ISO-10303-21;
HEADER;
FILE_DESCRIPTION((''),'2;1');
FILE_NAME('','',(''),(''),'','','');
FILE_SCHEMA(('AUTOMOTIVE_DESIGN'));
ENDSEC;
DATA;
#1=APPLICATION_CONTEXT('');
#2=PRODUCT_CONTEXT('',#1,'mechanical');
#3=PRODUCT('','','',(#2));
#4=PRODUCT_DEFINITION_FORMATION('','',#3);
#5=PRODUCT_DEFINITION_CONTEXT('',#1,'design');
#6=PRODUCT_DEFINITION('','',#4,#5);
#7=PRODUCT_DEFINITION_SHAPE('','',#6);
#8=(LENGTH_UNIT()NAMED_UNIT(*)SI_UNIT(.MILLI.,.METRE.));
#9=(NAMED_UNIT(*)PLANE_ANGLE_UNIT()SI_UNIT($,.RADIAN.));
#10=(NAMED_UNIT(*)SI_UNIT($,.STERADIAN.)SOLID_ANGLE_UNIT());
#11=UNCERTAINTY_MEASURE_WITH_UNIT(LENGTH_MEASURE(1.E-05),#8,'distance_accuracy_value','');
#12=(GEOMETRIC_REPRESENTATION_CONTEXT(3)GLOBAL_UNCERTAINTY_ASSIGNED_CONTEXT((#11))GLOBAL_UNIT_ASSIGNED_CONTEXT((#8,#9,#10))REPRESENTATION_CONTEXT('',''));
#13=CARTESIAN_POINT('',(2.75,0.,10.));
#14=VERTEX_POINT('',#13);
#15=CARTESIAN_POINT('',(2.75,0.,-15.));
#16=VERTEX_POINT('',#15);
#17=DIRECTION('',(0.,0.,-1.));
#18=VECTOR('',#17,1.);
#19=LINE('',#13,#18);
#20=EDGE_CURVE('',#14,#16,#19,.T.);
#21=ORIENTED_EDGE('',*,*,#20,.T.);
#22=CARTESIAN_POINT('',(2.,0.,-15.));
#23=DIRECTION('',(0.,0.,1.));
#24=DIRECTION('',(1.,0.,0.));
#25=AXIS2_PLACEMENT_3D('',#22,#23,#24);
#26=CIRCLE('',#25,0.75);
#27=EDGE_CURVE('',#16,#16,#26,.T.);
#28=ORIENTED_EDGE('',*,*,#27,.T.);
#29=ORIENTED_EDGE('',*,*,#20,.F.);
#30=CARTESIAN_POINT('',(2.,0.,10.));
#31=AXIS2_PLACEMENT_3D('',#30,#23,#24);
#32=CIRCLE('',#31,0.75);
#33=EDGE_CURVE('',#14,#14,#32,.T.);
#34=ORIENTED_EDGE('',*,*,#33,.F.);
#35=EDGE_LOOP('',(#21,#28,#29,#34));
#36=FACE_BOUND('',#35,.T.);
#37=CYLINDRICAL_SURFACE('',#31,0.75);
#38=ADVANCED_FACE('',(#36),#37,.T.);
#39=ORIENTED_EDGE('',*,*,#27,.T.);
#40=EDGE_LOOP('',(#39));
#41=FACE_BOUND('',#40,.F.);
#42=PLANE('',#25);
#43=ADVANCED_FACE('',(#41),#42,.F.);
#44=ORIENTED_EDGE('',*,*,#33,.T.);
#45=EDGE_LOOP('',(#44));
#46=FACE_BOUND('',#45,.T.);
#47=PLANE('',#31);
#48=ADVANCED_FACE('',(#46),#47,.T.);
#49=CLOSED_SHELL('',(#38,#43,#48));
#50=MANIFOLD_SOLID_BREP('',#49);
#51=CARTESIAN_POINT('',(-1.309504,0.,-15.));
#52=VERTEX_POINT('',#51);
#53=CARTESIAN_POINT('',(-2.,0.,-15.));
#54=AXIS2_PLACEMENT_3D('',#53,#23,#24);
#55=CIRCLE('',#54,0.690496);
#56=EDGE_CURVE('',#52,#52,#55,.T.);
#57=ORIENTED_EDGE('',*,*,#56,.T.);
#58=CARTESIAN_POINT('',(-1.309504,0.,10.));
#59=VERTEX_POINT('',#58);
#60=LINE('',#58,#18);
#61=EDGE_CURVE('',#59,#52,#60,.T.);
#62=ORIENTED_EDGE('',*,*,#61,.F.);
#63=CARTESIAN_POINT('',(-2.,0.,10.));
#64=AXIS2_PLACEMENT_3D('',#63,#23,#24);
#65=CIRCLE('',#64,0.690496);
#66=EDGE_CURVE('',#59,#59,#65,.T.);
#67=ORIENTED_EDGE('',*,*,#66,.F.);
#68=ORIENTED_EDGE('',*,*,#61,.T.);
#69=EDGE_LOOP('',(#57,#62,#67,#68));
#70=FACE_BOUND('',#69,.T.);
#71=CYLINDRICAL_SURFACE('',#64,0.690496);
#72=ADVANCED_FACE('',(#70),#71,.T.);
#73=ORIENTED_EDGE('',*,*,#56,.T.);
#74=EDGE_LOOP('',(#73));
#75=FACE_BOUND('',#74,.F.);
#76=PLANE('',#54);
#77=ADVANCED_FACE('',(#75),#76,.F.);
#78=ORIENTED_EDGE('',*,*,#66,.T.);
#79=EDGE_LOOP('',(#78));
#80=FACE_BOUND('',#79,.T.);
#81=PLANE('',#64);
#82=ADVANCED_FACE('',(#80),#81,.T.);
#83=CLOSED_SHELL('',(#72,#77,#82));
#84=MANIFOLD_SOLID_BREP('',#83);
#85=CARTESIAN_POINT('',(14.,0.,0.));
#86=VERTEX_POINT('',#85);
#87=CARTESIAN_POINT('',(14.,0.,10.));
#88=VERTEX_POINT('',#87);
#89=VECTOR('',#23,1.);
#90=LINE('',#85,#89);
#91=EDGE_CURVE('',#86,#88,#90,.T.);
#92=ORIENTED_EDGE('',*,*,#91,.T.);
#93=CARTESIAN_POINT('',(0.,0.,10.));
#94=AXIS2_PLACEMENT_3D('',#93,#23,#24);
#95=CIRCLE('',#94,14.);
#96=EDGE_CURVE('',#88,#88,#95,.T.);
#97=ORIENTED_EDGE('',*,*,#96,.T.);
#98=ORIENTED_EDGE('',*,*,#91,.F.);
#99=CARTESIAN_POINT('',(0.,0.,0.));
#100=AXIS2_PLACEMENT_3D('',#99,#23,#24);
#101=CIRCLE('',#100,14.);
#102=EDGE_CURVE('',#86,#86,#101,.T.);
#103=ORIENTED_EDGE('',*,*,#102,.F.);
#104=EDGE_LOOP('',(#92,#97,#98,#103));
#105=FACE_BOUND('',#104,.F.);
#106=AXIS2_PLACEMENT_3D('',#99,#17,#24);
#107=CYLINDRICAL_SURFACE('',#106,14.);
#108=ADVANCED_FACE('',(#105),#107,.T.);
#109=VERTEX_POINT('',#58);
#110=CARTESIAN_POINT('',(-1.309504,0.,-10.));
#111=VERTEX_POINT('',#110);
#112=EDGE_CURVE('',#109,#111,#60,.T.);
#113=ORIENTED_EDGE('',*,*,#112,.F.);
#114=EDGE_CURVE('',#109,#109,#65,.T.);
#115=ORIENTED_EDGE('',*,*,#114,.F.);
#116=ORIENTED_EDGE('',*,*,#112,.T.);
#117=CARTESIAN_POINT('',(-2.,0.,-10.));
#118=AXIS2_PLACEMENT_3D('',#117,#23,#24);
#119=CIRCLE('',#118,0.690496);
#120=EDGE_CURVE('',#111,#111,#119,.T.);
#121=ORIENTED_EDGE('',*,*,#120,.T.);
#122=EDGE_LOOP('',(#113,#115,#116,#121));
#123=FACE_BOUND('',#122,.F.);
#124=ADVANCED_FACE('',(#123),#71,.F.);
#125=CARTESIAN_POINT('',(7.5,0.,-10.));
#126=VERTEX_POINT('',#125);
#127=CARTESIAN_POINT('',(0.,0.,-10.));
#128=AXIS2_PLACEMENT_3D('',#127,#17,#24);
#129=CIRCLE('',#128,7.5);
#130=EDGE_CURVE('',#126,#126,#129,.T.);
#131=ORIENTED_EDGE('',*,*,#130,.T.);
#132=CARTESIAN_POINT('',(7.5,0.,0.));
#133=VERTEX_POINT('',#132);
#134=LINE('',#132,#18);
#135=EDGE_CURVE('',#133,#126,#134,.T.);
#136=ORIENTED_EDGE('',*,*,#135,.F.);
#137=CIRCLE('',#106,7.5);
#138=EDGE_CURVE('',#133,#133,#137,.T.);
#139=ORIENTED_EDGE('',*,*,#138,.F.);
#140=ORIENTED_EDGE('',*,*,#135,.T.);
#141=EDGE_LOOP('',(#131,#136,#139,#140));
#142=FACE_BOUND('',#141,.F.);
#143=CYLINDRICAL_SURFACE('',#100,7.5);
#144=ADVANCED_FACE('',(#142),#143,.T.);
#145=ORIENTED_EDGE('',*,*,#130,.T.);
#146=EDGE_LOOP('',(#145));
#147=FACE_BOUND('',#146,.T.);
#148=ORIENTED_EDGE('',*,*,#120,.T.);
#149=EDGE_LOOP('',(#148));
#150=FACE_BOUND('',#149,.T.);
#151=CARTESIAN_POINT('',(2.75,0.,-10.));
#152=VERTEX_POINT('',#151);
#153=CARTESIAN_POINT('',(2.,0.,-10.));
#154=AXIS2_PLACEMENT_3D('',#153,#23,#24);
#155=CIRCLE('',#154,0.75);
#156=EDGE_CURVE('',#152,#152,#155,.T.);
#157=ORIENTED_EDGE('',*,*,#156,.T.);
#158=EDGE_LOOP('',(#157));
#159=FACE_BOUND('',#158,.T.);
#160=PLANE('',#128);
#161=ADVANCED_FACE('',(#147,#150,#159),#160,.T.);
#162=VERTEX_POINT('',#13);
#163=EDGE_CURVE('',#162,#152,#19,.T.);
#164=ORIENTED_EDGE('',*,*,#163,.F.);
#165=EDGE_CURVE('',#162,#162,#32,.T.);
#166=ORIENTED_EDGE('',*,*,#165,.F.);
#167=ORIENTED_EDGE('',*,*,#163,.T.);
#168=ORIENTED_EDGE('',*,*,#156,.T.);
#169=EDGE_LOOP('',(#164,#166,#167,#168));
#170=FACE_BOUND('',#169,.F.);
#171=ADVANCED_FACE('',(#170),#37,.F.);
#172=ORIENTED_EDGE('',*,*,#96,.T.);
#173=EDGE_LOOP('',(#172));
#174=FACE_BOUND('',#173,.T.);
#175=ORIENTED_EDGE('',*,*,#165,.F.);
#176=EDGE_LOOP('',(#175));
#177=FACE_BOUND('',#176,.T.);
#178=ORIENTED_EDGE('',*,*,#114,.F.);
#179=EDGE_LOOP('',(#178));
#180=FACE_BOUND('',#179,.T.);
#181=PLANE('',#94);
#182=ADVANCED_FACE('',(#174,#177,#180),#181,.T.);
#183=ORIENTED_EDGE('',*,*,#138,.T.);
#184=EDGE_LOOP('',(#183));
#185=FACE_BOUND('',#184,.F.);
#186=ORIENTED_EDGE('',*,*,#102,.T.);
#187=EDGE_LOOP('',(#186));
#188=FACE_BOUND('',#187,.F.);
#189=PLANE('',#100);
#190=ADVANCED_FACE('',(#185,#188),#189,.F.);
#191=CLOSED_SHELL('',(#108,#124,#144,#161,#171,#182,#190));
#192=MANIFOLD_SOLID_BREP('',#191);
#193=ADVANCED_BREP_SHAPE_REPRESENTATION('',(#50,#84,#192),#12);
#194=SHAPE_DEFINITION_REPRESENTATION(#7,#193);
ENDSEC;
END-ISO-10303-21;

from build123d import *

# Parameters (mm, degrees)
F0_R     = 14
F1_DEPTH = 10
F2_R     = 7.5
F3_DEPTH = 10
F4_R     = 0.690496
F4_R_2   = 0.75
F5_DEPTH = 25
F6_DEPTH = 25


with BuildPart() as f1:
    # F0 (on Top) → F1 (new body)
    with BuildSketch(Plane.XY):
        Circle(F0_R)
    extrude(amount=F1_DEPTH)

    # F2 (on face) → F3 (join)
    with BuildSketch(Plane(origin=(0, 0, 0), x_dir=(1, 0, 0), z_dir=(0, 0, -1))):
        Circle(F2_R)
    extrude(amount=F3_DEPTH)

    # F4 (on face) → F5 (cut)
    with BuildSketch(Plane.XY.offset(10)):
        with Locations((-2, 0)):
            Circle(F4_R)
        with Locations((2, 0)):
            Circle(F4_R_2)
    extrude(amount=-F5_DEPTH, mode=Mode.SUBTRACT)


with BuildPart() as f6:
    # F4 (on face) → F6 (new body)
    with BuildSketch(Plane.XY.offset(10)):
        with Locations((-2, 0)):
            Circle(F4_R)
        with Locations((2, 0)):
            Circle(F4_R_2)
    extrude(amount=-F6_DEPTH)


solid = Compound([f1.part, f6.part])
